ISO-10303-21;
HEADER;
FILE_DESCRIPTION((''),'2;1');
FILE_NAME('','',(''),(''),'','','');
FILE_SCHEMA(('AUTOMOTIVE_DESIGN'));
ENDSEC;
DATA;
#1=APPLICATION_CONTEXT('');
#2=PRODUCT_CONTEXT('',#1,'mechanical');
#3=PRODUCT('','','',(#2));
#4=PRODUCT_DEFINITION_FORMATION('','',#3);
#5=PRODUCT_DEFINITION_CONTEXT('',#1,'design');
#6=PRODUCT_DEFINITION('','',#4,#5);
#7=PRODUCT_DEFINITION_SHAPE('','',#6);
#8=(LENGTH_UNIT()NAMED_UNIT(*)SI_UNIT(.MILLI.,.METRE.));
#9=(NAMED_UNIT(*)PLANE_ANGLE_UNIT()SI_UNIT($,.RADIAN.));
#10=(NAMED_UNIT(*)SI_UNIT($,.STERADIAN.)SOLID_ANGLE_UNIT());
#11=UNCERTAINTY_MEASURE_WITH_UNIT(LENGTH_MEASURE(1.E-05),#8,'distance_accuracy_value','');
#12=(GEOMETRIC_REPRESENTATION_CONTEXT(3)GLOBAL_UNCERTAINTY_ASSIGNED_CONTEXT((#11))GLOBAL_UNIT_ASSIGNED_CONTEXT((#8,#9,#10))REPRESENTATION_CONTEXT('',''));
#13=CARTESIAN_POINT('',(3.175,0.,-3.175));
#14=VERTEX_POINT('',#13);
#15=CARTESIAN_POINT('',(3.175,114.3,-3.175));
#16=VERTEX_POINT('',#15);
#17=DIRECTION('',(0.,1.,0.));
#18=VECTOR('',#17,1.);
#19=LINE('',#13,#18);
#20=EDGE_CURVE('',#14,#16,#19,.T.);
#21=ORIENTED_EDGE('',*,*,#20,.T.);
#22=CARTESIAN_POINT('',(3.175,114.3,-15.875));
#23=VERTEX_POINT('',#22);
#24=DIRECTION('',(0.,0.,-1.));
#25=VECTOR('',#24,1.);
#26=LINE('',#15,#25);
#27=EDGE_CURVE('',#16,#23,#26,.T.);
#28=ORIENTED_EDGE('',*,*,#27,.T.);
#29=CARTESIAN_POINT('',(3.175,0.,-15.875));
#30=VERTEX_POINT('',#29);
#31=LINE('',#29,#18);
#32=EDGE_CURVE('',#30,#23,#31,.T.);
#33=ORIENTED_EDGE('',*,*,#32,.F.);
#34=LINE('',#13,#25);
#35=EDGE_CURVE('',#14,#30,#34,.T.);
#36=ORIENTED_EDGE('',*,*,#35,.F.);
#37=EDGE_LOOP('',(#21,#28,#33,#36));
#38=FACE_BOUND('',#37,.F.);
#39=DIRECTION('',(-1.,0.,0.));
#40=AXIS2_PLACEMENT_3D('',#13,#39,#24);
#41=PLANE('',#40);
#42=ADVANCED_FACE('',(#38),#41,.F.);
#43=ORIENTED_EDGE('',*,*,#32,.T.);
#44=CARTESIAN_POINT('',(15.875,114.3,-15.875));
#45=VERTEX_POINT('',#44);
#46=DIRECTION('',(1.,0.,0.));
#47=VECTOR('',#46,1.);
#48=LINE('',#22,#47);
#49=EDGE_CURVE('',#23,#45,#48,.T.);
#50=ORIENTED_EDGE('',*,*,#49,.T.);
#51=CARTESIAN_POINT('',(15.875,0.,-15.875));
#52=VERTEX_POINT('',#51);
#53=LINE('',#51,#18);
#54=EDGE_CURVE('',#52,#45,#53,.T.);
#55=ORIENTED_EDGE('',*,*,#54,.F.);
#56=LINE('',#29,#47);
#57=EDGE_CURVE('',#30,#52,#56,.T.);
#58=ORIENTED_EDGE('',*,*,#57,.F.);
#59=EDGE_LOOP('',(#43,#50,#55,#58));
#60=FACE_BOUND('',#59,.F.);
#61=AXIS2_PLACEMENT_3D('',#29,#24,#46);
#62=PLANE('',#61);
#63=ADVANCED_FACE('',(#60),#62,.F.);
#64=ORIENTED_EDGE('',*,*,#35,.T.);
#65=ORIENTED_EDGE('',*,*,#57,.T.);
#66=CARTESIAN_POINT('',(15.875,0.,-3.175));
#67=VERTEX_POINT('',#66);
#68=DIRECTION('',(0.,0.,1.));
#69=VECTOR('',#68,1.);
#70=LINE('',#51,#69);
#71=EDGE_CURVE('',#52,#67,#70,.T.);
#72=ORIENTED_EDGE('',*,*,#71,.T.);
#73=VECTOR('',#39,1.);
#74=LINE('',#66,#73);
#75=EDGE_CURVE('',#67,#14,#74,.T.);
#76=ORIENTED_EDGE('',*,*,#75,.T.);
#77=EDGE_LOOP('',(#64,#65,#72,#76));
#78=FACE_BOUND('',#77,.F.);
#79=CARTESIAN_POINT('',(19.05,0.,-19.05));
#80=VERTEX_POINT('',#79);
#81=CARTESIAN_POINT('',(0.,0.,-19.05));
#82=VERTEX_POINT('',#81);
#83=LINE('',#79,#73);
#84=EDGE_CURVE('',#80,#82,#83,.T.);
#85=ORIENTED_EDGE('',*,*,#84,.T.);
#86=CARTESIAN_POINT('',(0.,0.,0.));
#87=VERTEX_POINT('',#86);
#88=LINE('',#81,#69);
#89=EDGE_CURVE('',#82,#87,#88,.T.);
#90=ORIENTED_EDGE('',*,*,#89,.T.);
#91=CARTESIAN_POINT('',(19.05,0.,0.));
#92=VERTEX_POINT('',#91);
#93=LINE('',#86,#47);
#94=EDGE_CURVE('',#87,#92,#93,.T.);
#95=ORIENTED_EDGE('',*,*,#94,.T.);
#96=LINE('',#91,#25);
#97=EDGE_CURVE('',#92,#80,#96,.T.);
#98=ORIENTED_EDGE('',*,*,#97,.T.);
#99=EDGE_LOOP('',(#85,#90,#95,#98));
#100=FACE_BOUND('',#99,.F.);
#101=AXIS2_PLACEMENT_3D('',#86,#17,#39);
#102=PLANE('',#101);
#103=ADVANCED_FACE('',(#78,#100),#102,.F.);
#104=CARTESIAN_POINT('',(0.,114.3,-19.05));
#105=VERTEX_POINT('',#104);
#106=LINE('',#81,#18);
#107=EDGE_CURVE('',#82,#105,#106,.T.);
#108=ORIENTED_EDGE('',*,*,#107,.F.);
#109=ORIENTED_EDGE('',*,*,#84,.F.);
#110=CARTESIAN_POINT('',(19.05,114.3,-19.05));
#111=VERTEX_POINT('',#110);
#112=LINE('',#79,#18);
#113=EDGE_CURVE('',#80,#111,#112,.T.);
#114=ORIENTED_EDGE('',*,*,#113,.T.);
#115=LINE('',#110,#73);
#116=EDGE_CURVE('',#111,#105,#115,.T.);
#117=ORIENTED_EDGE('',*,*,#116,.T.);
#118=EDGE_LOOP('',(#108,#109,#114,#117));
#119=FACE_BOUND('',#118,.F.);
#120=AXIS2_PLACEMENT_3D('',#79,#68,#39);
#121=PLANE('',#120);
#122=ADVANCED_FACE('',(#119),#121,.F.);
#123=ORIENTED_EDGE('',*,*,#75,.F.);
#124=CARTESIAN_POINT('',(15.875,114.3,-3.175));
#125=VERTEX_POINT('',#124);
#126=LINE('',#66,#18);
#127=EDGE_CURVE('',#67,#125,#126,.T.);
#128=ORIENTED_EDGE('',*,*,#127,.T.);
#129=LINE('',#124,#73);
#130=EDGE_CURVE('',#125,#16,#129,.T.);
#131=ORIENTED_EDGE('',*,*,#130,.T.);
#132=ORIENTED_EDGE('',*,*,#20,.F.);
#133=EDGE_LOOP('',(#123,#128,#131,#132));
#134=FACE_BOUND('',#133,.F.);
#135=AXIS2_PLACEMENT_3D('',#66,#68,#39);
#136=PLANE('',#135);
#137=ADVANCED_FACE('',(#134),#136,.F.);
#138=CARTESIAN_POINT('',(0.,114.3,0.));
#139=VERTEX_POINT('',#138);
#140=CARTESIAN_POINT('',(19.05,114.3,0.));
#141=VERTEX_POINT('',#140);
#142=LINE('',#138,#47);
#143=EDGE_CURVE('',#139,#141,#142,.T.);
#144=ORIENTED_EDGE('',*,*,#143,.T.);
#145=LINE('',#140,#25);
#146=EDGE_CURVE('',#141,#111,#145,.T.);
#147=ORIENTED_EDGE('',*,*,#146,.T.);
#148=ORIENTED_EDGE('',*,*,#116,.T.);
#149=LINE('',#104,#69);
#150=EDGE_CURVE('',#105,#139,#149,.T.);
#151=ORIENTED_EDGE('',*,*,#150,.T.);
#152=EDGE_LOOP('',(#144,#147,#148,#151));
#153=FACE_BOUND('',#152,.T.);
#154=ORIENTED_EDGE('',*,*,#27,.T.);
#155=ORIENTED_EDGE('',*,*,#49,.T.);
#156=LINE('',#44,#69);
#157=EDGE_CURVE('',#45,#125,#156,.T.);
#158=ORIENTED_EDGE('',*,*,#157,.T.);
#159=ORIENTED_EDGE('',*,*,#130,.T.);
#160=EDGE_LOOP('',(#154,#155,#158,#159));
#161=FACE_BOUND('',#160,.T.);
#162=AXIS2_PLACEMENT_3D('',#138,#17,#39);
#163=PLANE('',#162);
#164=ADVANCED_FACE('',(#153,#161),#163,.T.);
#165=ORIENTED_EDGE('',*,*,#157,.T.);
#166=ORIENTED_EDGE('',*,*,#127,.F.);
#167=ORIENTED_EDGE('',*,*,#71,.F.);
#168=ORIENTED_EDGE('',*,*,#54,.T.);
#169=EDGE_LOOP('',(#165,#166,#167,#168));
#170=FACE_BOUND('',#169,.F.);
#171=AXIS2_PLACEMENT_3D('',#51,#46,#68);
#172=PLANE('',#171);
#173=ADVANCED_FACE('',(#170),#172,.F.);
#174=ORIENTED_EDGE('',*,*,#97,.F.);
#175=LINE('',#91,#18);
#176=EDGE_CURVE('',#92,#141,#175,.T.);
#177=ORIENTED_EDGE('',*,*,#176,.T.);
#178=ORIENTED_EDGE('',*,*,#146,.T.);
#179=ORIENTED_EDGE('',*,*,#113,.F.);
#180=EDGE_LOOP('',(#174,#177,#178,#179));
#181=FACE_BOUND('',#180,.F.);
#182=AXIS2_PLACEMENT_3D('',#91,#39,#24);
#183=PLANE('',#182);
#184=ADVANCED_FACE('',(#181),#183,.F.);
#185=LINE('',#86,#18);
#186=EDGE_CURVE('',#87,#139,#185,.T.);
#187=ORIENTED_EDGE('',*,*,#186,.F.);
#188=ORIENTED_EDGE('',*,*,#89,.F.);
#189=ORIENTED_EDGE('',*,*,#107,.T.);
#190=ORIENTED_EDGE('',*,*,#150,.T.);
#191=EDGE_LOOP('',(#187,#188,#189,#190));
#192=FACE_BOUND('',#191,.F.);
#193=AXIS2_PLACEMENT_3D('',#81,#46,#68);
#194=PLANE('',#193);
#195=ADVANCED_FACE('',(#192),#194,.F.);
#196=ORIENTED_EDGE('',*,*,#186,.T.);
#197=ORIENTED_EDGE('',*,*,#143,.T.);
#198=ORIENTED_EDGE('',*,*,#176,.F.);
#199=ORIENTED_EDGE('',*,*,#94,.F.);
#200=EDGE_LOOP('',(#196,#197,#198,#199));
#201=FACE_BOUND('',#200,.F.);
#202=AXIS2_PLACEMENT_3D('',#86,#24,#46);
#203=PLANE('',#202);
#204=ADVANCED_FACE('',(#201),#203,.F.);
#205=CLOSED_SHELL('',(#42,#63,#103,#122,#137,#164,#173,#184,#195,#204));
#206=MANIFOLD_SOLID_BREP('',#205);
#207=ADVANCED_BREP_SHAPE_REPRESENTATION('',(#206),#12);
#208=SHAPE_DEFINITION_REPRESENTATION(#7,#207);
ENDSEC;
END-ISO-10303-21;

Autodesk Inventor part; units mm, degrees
ref_plane "YZ Plane" through (0, 0, 0) normal (1, 0, 0) x (0, 1, 0)
ref_plane "XZ Plane" through (0, 0, 0) normal (0, 1, 0) x (-1, 0, 0)
ref_plane "XY Plane" through (0, 0, 0) normal (0, 0, 1) x (1, 0, 0)
sketch "Sketch1" plane through (0, 0, 0) normal (0, 1, 0) x (-1, 0, 0)
  line L0 (0, 0) -> (-19.05, 0)
  line L1 (-19.05, 0) -> (-19.05, -19.05)
  line L2 (-19.05, -19.05) -> (0, -19.05)
  line L3 (0, -19.05) -> (0, 0)
  line L4 (-3.175, -15.875) -> (-15.875, -15.875)
  line L5 (-15.875, -15.875) -> (-15.875, -3.175)
  line L6 (-15.875, -3.175) -> (-3.175, -3.175)
  line L7 (-3.175, -3.175) -> (-3.175, -15.875)
  dimension "d0" = 19.05
  dimension "d1" = 19.05
  dimension "d2" = 3.175
extrude "Extrusion1" add sketch "Sketch1" along normal blind 114.3
properties part number "Chasis Hieght 2" material "Aluminum 6061"
